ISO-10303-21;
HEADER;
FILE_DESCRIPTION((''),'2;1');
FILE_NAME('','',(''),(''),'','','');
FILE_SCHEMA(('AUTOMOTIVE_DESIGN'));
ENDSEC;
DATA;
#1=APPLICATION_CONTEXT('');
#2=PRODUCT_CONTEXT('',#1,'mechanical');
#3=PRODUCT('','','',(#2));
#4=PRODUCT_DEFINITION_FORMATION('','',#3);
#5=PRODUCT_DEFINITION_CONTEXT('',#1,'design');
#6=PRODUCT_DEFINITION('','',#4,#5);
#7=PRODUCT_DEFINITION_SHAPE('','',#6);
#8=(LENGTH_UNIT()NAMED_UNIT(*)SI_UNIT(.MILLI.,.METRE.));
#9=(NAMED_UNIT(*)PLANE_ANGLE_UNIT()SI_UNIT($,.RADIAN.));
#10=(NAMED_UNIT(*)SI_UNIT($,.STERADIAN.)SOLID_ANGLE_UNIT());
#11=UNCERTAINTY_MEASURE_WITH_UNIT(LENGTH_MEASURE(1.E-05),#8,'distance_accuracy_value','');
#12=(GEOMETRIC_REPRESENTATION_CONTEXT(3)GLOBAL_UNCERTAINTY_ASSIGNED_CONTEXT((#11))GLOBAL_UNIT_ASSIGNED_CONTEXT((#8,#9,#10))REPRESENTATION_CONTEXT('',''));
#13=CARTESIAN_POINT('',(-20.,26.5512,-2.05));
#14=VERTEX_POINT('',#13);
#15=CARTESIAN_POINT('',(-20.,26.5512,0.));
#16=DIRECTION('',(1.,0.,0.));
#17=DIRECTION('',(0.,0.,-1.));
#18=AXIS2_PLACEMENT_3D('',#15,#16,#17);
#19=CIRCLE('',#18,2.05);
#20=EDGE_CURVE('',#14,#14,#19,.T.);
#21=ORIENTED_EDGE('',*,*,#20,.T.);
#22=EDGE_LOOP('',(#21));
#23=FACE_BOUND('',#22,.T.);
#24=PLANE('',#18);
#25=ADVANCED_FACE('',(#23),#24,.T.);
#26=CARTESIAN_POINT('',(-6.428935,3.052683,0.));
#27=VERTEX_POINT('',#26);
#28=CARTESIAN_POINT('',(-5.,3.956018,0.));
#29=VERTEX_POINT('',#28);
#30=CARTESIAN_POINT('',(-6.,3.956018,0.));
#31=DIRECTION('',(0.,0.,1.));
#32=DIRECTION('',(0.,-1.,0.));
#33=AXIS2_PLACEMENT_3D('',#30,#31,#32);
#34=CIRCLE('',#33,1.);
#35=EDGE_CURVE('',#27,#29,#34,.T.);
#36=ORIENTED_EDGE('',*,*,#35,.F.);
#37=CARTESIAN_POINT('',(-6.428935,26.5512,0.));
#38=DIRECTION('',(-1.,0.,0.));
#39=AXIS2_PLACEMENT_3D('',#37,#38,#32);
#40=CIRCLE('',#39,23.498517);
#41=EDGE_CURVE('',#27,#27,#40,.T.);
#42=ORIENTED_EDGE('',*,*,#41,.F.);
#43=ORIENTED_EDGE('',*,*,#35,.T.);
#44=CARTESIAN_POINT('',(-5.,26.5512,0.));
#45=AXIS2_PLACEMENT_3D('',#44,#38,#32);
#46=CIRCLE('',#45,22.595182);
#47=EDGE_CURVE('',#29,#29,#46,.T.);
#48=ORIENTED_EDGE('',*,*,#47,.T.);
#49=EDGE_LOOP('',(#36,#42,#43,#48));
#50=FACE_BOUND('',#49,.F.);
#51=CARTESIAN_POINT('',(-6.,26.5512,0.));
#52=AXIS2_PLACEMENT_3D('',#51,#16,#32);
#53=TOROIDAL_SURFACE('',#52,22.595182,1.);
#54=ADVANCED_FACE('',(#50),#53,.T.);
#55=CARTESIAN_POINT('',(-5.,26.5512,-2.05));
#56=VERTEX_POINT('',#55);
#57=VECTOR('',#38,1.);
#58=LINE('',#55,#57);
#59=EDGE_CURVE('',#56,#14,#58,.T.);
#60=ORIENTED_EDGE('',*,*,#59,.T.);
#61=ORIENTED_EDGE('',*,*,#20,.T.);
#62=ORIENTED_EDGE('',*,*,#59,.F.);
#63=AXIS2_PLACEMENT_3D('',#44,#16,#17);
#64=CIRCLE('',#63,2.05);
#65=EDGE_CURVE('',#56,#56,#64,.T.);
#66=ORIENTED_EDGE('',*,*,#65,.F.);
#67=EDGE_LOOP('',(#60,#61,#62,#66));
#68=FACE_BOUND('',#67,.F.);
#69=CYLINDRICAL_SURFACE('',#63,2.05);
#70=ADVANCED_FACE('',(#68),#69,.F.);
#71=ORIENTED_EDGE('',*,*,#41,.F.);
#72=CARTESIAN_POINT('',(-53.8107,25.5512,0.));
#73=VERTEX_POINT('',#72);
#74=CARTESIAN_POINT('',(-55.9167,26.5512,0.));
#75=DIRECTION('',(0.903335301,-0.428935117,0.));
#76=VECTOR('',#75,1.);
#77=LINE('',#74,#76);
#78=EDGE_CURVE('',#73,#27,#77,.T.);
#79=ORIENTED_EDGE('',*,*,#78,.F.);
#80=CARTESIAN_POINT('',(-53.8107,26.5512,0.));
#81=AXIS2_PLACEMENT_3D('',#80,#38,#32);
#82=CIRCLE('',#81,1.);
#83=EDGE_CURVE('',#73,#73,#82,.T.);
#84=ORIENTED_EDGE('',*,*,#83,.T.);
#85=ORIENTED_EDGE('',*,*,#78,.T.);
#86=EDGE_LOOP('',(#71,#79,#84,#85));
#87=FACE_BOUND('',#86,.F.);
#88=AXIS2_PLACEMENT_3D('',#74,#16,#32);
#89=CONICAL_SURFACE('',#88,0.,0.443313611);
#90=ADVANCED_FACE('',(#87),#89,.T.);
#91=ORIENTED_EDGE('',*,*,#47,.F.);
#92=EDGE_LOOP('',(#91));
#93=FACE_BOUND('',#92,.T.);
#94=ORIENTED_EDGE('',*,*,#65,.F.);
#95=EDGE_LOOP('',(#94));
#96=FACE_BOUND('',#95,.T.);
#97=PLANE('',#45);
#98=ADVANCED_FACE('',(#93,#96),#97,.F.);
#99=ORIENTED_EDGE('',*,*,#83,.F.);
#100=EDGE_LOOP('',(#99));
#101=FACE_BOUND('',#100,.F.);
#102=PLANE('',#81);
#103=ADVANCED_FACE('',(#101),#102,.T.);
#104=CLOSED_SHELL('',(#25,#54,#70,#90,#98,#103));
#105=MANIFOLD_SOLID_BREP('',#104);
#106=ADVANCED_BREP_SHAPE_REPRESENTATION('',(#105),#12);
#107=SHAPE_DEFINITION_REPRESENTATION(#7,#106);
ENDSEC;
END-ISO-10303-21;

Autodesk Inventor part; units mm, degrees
ref_plane "YZ Plane" through (0, 0, 0) normal (1, 0, 0) x (0, 1, 0)
ref_plane "XZ Plane" through (0, 0, 0) normal (0, 1, 0) x (-1, 0, 0)
ref_plane "XY Plane" through (0, 0, 0) normal (0, 0, 1) x (1, 0, 0)
sketch "Sketch1" plane through (0, 0, 0) normal (0, 0, 1) x (1, 0, 0)
  line L0 (0, 0) -> (0, 26.5512)
  line L1 (0, 26.5512) -> (-55.9167, 26.5512)
  line L2 (-55.9167, 26.5512) -> (0, 0)
  line L3 (-53.8107, 26.5512) -> (-53.8107, 25.5512)
  line L4 (-5, 26.5512) -> (-5, 2.3742)
  dimension "d15" = 1
  dimension "d16" = 5
  dimension "r" = 26.5512
  dimension "d18" = 25.4
  dimension "d19" = 48.8107
revolve "Revolution1" add sketch "Sketch1" angle 360 about axis through (0, 26.5512, 0) along (-1, 0, 0) contours L2 L3 L1 L4
fillet "Fillet1" radius 1 1 edges at (-5, 50.7282, 0)
sketch "Sketch2" plane through (-5, 26.5512, 0) normal (1, 0, 0) x (0, 0, -1)
  circle A0 centre (0, 0) radius 2.05
  circle A1 centre (0, 0) radius 22.5952 projected
  point P0 (0, -26.5512)
  dimension "d7" = 4.1
extrude "Extrusion1" cut sketch "Sketch2" against normal blind 15 contours A0
equation "\"d7\" = dowel + dowelgap"
equation "\"dowel\" = 4"
equation "\"dowelgap\" = 0.1"
properties part number "cone-fixed"
